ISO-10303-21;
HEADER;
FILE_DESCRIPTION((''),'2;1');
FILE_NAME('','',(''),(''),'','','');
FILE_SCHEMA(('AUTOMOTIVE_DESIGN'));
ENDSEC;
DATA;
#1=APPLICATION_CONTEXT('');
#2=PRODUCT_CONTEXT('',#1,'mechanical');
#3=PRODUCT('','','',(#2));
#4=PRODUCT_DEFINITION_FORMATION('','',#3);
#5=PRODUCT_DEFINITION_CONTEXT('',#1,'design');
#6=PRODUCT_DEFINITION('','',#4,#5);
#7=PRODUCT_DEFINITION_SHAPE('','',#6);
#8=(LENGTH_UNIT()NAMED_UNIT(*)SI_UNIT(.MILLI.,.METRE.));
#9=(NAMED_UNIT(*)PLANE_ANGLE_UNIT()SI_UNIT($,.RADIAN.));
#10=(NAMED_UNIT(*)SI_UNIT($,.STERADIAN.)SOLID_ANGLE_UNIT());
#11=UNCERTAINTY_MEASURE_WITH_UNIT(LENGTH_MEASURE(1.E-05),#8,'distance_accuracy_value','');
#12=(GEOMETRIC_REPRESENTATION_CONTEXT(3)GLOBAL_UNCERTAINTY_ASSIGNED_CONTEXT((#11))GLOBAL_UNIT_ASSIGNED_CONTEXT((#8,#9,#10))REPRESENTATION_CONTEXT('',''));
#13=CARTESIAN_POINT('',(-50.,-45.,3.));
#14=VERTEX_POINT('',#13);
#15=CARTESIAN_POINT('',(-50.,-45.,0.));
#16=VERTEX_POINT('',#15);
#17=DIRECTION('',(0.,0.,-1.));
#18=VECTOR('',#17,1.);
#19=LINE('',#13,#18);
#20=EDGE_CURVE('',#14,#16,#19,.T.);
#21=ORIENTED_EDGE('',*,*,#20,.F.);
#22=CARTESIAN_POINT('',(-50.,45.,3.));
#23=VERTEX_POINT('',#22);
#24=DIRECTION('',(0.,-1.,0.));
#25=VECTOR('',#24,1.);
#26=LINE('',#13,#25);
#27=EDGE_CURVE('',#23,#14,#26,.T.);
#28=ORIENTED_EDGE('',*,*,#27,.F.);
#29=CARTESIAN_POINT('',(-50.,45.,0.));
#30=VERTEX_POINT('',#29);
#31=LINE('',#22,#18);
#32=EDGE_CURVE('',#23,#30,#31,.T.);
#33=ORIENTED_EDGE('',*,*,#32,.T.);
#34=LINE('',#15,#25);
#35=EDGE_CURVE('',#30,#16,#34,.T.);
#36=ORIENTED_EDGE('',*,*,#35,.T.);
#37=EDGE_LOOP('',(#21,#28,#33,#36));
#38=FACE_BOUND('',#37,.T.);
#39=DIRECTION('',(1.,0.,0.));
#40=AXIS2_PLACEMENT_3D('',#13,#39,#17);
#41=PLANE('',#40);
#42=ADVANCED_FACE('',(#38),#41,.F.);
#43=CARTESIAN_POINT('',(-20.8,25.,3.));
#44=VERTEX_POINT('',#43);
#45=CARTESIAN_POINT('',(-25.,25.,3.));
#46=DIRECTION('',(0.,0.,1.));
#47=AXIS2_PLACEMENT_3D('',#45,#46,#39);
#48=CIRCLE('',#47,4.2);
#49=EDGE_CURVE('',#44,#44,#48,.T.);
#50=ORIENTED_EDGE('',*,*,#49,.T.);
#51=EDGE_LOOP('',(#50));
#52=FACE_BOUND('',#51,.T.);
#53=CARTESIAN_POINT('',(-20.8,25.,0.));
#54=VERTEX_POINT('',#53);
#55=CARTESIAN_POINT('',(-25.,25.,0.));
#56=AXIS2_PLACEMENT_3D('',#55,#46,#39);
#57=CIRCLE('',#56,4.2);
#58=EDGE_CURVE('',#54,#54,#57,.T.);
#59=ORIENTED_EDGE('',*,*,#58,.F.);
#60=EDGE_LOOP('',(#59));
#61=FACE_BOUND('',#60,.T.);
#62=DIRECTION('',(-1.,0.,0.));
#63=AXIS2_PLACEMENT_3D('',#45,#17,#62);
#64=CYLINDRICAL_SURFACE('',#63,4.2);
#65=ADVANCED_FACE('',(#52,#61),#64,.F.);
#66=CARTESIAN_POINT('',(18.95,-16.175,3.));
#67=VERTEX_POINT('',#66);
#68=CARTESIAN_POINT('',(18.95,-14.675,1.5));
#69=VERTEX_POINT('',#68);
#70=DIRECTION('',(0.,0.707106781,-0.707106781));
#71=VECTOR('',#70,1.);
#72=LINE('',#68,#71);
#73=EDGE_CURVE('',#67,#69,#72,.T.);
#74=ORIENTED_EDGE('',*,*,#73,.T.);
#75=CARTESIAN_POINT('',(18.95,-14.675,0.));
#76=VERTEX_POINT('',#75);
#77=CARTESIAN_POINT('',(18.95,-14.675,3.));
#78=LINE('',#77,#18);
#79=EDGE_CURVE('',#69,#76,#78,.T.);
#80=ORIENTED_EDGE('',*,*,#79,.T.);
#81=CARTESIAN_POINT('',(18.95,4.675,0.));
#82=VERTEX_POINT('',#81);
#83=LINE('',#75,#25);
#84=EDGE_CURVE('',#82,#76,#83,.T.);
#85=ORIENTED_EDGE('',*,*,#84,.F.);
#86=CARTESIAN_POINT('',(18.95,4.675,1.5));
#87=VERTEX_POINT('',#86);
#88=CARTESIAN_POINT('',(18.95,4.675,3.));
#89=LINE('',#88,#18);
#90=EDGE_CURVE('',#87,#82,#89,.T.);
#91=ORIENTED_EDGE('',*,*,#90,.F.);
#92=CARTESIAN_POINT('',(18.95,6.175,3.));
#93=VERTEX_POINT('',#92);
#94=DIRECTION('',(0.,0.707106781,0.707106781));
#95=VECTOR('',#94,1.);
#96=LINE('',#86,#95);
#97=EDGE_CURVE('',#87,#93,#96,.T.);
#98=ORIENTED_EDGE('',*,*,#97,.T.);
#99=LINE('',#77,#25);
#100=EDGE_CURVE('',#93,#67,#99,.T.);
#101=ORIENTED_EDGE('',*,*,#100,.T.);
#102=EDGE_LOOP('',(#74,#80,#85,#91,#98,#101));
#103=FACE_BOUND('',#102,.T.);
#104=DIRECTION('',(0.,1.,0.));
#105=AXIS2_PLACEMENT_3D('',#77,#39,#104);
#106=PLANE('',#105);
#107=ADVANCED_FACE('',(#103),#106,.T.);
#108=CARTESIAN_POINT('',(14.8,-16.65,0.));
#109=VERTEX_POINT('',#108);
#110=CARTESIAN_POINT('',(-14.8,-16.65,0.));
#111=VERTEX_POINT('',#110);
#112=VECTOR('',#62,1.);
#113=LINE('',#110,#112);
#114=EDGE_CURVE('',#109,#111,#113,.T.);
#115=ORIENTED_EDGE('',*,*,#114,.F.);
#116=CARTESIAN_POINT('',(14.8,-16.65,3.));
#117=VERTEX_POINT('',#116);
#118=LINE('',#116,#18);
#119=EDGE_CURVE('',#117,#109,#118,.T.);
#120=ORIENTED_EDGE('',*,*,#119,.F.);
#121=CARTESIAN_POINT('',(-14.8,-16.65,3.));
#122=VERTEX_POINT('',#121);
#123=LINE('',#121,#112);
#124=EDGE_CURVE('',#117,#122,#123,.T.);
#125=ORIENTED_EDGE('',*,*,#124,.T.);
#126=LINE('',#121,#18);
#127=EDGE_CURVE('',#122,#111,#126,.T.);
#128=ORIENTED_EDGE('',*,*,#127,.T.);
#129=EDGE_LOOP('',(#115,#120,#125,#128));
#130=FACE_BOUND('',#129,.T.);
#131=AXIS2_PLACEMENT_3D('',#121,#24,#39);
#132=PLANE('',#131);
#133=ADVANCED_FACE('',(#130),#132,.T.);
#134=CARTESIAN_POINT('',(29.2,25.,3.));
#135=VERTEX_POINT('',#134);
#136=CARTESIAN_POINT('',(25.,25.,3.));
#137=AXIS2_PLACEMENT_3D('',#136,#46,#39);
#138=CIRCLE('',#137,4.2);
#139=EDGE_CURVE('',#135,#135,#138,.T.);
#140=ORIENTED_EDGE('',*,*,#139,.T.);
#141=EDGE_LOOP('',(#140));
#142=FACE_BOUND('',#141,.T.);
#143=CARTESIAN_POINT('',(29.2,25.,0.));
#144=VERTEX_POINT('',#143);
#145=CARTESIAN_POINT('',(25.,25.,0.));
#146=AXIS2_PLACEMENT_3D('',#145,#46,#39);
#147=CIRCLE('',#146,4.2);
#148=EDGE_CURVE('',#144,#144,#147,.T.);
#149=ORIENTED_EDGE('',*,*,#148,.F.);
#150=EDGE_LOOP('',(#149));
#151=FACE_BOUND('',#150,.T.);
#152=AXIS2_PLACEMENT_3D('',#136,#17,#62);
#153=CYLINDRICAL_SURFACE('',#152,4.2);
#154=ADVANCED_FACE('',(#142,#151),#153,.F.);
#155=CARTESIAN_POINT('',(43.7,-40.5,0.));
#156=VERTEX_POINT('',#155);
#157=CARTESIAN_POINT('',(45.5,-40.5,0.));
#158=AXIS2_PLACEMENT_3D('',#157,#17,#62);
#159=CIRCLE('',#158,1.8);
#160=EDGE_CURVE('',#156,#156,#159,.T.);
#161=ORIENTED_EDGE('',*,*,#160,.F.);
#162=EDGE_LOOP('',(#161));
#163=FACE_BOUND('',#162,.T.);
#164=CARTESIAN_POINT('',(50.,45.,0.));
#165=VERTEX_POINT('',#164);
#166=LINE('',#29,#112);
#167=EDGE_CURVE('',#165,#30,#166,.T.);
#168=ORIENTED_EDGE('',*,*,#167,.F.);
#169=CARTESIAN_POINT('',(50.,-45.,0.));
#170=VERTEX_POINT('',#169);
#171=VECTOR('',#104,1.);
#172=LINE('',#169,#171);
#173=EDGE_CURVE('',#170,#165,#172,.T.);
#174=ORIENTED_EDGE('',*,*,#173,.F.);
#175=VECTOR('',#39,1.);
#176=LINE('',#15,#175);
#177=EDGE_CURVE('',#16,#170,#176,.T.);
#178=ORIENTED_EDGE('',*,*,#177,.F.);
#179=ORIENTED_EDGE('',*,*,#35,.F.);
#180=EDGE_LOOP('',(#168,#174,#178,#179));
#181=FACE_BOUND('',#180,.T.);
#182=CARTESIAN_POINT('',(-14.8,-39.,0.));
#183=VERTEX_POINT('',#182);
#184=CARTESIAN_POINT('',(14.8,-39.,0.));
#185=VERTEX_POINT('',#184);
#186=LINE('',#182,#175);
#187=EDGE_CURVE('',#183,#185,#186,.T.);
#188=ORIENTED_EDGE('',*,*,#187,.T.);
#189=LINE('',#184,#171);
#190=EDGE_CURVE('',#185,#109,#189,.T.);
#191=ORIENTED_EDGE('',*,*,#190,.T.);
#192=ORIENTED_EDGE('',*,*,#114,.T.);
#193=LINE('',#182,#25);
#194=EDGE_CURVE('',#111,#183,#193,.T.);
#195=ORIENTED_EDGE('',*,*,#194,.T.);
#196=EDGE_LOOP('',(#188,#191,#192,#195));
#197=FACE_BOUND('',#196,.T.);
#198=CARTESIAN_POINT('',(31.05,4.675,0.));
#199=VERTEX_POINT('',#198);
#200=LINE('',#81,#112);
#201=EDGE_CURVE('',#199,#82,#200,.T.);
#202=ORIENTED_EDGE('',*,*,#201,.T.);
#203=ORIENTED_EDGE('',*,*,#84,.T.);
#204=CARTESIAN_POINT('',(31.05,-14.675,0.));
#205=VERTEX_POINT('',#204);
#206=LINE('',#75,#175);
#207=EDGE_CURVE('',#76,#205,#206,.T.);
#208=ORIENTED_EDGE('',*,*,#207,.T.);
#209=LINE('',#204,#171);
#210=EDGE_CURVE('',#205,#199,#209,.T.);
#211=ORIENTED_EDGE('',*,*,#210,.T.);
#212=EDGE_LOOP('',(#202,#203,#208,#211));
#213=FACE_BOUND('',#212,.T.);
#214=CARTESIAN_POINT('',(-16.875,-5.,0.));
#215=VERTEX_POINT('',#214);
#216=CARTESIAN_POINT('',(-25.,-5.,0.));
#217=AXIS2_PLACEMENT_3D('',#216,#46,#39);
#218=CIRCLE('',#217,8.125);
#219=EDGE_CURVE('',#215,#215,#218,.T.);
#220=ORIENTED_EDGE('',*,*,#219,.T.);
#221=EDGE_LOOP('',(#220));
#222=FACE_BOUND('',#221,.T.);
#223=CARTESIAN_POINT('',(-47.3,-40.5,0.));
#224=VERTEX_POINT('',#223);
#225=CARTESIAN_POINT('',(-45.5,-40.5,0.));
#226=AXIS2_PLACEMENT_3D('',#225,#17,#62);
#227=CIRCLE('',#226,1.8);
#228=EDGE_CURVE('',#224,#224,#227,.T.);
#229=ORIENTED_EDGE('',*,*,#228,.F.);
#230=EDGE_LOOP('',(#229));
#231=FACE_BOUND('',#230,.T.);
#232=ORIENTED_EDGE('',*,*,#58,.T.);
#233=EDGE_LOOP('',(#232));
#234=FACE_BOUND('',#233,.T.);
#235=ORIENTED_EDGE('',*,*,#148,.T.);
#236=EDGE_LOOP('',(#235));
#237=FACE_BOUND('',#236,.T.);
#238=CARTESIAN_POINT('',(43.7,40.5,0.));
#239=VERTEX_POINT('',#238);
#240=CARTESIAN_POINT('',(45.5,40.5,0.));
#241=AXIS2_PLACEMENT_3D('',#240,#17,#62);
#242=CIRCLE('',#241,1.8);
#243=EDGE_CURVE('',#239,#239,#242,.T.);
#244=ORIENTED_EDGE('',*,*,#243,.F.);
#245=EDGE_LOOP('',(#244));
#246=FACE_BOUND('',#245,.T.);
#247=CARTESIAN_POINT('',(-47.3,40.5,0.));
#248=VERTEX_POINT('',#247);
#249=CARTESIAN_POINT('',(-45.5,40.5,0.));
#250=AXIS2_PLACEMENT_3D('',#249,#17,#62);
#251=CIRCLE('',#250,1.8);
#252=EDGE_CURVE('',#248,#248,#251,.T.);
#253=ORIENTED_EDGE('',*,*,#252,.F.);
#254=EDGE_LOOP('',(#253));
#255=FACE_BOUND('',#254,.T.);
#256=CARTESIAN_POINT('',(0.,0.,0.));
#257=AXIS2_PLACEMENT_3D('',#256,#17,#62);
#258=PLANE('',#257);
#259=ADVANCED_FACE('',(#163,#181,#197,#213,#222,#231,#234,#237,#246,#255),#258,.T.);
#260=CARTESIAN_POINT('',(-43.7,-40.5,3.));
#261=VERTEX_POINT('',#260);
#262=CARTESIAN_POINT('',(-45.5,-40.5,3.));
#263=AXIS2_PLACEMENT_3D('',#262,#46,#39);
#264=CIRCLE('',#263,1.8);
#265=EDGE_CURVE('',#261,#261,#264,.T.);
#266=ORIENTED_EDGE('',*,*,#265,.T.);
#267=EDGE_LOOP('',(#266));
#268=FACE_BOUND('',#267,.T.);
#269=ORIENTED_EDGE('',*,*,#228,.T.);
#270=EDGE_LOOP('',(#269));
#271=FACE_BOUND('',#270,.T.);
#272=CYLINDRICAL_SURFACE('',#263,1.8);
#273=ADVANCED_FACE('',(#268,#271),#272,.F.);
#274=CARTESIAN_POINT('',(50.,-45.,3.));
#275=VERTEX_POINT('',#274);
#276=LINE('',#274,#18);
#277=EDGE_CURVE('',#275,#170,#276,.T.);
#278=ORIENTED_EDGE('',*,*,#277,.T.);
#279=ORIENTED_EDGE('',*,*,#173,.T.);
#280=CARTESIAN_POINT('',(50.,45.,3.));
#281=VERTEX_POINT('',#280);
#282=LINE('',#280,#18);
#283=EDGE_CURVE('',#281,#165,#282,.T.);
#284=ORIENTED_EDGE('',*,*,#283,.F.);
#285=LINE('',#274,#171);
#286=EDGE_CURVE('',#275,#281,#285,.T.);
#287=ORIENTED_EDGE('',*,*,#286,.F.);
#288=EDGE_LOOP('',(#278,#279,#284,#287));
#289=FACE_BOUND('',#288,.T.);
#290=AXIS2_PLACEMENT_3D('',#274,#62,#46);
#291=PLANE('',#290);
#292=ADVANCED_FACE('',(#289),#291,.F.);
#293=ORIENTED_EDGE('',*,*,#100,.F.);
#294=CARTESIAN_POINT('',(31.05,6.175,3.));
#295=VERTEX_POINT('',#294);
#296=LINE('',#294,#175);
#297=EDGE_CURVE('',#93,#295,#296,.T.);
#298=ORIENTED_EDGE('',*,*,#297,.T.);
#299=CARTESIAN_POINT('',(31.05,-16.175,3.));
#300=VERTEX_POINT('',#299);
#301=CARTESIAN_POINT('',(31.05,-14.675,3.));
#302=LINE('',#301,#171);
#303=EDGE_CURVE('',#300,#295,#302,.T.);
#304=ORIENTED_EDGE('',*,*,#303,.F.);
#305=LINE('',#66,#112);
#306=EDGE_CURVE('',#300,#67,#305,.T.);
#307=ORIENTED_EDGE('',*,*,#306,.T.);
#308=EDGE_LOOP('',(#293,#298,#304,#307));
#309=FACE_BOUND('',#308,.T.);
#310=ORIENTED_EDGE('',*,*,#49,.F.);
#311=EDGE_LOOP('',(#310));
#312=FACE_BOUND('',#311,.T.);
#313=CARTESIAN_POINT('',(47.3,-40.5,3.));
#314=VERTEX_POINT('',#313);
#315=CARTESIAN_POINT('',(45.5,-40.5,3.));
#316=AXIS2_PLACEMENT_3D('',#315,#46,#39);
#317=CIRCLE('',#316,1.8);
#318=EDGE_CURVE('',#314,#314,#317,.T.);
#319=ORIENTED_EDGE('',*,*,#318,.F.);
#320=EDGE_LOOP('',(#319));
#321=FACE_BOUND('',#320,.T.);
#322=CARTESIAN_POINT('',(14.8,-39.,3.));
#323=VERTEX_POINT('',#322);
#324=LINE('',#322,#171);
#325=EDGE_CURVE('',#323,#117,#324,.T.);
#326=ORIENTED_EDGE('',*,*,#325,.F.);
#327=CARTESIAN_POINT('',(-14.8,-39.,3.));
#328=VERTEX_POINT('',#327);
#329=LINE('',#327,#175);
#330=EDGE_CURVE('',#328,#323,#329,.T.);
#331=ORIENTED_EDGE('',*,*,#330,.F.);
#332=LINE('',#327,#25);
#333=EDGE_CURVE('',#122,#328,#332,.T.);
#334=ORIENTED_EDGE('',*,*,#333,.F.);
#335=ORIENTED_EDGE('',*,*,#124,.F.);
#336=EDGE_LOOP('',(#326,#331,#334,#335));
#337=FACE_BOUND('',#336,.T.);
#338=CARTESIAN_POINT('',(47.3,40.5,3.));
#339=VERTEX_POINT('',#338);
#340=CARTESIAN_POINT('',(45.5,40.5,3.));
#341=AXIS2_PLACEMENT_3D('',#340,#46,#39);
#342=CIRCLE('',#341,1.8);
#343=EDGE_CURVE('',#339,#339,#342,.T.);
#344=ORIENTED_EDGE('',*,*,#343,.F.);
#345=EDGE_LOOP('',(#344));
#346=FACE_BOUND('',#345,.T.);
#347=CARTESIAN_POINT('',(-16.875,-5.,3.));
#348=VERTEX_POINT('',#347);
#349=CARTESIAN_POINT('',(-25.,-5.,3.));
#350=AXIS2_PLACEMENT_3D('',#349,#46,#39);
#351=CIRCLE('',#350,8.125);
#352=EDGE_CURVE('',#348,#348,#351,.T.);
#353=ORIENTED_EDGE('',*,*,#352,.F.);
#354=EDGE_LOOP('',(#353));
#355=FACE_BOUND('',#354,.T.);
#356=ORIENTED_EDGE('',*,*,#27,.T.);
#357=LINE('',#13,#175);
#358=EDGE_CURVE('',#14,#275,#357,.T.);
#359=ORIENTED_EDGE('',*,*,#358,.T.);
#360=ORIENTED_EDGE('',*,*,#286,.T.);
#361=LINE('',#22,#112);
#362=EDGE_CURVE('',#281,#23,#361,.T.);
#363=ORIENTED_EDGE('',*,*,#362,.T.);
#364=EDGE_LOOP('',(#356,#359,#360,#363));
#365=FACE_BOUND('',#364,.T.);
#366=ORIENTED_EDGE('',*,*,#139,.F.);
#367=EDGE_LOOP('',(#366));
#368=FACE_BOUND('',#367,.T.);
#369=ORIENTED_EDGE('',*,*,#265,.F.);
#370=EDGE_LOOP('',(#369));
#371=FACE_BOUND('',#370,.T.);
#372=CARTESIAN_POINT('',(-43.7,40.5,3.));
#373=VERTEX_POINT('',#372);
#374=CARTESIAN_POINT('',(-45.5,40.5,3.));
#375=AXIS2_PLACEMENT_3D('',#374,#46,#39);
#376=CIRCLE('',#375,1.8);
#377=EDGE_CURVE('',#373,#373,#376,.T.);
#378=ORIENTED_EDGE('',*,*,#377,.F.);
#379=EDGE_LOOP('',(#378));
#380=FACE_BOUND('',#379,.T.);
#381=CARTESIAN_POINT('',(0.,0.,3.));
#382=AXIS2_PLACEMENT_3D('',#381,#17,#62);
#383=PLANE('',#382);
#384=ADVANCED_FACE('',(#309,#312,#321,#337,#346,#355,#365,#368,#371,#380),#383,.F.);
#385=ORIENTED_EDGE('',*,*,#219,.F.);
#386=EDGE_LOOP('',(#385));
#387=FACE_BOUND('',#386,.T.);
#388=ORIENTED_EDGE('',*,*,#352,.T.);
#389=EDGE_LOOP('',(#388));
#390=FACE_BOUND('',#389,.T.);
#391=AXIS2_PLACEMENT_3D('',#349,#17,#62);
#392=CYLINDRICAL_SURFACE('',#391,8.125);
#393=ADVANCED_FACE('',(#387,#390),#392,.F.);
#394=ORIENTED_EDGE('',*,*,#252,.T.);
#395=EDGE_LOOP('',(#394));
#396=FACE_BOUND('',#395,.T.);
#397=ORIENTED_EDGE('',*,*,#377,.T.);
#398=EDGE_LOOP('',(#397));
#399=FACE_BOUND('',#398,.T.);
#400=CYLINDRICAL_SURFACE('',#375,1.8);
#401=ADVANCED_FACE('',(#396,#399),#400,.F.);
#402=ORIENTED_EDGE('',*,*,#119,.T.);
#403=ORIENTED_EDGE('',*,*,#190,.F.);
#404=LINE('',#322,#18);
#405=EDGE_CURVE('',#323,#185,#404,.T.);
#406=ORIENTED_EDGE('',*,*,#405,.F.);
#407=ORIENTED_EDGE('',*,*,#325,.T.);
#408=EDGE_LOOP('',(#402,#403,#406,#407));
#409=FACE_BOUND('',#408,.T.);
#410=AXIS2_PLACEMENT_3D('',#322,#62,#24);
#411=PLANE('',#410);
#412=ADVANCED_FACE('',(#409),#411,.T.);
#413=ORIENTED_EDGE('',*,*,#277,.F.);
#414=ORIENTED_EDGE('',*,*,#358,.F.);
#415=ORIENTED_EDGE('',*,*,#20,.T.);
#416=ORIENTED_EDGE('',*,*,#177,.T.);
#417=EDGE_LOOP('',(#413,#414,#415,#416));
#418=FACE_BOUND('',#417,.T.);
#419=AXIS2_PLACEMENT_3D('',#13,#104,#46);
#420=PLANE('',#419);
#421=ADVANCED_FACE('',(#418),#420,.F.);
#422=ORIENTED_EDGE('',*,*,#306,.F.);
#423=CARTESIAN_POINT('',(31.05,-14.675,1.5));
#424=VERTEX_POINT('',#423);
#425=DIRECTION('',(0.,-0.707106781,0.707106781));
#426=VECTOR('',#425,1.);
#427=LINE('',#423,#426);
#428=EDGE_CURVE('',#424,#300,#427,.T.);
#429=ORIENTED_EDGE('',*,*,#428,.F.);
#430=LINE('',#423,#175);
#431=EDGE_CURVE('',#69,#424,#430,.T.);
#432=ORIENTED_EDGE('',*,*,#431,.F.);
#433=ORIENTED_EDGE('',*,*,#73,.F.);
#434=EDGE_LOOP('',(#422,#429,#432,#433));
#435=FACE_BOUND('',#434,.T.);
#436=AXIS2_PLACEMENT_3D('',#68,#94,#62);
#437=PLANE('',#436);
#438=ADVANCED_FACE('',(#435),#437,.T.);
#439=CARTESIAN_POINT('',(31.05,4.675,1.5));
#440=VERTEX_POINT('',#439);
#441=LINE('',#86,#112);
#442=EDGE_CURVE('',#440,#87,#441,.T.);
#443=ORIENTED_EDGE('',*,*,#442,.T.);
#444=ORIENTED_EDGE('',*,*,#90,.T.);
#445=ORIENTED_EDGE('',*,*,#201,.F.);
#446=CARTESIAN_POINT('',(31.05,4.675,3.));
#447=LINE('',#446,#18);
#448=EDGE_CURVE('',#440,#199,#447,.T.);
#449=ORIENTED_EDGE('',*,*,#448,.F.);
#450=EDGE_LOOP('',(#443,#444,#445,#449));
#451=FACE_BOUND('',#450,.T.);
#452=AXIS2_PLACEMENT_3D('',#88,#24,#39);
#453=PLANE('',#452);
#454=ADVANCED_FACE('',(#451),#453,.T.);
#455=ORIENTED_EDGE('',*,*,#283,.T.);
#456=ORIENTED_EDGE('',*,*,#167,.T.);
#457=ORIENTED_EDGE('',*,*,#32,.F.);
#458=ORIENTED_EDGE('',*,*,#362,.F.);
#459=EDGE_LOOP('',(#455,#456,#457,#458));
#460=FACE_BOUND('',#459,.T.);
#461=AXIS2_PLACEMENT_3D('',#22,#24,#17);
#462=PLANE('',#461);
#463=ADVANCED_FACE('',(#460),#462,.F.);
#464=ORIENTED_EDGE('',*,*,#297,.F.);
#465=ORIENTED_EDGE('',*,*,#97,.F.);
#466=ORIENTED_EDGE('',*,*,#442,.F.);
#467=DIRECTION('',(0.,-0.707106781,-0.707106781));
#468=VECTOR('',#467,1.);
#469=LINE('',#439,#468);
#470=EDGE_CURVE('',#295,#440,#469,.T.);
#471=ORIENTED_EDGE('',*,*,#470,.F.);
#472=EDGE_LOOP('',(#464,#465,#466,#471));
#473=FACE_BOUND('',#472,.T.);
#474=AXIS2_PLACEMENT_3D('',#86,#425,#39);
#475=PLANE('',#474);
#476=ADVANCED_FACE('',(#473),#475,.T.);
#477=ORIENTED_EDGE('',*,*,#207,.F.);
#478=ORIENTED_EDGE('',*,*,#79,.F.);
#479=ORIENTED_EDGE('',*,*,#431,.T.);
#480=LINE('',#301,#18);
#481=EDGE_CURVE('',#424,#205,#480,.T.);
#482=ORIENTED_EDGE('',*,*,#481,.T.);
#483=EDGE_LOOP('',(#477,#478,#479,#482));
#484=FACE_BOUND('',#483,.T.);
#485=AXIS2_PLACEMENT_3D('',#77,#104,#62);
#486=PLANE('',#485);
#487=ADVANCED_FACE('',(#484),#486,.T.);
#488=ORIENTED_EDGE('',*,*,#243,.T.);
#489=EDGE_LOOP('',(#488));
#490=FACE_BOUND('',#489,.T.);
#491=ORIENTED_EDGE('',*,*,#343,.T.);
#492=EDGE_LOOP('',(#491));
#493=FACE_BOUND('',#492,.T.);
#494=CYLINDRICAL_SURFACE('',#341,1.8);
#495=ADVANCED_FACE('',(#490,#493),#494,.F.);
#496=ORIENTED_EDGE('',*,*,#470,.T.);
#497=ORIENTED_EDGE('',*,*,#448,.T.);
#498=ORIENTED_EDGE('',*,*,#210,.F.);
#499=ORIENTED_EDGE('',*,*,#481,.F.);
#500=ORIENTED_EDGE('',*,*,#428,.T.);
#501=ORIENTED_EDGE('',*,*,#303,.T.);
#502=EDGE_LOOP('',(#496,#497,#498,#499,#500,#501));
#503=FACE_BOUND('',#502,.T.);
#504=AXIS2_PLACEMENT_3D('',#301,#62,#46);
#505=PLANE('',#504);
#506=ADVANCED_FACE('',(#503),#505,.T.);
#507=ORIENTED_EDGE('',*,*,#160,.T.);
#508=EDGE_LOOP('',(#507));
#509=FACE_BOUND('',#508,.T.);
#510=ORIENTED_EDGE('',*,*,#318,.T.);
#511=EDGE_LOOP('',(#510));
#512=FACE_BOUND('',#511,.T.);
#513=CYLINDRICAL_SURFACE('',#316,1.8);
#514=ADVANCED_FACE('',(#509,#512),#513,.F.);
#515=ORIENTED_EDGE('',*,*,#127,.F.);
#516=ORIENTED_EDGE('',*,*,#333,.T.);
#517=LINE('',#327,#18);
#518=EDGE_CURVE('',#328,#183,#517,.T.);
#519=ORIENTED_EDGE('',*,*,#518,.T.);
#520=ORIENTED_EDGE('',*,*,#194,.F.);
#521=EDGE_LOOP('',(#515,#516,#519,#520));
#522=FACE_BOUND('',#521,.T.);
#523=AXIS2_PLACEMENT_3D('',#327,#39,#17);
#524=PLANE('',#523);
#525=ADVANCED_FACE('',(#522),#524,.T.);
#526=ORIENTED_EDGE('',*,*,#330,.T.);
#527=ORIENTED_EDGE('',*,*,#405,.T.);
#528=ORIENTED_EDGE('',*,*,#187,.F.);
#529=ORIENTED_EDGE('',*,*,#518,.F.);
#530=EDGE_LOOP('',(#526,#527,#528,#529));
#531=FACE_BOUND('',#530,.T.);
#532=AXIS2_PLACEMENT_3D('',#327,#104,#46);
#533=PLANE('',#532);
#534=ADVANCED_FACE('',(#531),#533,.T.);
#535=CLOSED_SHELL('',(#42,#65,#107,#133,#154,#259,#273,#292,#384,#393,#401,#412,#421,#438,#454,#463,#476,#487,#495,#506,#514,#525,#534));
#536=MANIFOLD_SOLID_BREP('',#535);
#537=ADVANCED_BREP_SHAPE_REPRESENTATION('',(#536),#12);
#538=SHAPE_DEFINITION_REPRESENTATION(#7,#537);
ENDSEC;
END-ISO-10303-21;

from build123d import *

# Parameters (mm, degrees)
SKETCH1_W            = 100
SKETCH1_H            = 90
SKETCH1_R            = 4.2
SKETCH1_R_2          = 8.125
SKETCH1_W_2          = 29.6
SKETCH1_H_2          = 22.35
SKETCH1_W_3          = 12.1
SKETCH1_H_3          = 19.35
BOSS_EXTRUDE1_DEPTH  = 3
M3_CLEARANCE_HOLE1_D = 3.6
MIRROR2_COPY_1_D     = 3.6
CHAMFER1_SIZE        = 1.5


with BuildPart() as part:
    # Sketch1 → Boss-Extrude1 (new body)
    with BuildSketch(Plane.XY):
        Rectangle(SKETCH1_W, SKETCH1_H)
        with Locations((25, 25)):
            Circle(SKETCH1_R, mode=Mode.SUBTRACT)
        with Locations((-25, 25)):
            Circle(SKETCH1_R, mode=Mode.SUBTRACT)
        with Locations((-25, -5)):
            Circle(SKETCH1_R_2, mode=Mode.SUBTRACT)
        with Locations((0, -27.825)):
            Rectangle(SKETCH1_W_2, SKETCH1_H_2, mode=Mode.SUBTRACT)
        with Locations((25, -5)):
            Rectangle(SKETCH1_W_3, SKETCH1_H_3, mode=Mode.SUBTRACT)
    extrude(amount=BOSS_EXTRUDE1_DEPTH)

    # M3 Clearance Hole1 (through all)
    with Locations(Plane.XY.offset(3)):
        with Locations((-45.5, 40.5)):
            m3_clearance_hole1 = Hole(M3_CLEARANCE_HOLE1_D / 2)

    # Mirror1: M3 Clearance Hole1 across plane
    add(m3_clearance_hole1.mirror(Plane.ZX), mode=Mode.SUBTRACT)

    # Mirror2: M3 Clearance Hole1 across plane
    add(m3_clearance_hole1.mirror(Plane(origin=(0, 0, 0), x_dir=(0, 0, 1), z_dir=(1, 0, 0))), mode=Mode.SUBTRACT)

    # Mirror2 copy 1 (through all)
    with Locations(Plane(origin=(0, 0, 3), x_dir=(-1, 0, 0), z_dir=(0, 0, 1))):
        with Locations((-45.5, 40.5)):
            Hole(MIRROR2_COPY_1_D / 2)

    # Chamfer1
    chamfer1_edges = [part.edges().sort_by_distance(p)[0] for p in [
        (25, 4.675, 3),
        (25, -14.675, 3),
    ]]
    chamfer(chamfer1_edges, length=CHAMFER1_SIZE)


solid = part.part
